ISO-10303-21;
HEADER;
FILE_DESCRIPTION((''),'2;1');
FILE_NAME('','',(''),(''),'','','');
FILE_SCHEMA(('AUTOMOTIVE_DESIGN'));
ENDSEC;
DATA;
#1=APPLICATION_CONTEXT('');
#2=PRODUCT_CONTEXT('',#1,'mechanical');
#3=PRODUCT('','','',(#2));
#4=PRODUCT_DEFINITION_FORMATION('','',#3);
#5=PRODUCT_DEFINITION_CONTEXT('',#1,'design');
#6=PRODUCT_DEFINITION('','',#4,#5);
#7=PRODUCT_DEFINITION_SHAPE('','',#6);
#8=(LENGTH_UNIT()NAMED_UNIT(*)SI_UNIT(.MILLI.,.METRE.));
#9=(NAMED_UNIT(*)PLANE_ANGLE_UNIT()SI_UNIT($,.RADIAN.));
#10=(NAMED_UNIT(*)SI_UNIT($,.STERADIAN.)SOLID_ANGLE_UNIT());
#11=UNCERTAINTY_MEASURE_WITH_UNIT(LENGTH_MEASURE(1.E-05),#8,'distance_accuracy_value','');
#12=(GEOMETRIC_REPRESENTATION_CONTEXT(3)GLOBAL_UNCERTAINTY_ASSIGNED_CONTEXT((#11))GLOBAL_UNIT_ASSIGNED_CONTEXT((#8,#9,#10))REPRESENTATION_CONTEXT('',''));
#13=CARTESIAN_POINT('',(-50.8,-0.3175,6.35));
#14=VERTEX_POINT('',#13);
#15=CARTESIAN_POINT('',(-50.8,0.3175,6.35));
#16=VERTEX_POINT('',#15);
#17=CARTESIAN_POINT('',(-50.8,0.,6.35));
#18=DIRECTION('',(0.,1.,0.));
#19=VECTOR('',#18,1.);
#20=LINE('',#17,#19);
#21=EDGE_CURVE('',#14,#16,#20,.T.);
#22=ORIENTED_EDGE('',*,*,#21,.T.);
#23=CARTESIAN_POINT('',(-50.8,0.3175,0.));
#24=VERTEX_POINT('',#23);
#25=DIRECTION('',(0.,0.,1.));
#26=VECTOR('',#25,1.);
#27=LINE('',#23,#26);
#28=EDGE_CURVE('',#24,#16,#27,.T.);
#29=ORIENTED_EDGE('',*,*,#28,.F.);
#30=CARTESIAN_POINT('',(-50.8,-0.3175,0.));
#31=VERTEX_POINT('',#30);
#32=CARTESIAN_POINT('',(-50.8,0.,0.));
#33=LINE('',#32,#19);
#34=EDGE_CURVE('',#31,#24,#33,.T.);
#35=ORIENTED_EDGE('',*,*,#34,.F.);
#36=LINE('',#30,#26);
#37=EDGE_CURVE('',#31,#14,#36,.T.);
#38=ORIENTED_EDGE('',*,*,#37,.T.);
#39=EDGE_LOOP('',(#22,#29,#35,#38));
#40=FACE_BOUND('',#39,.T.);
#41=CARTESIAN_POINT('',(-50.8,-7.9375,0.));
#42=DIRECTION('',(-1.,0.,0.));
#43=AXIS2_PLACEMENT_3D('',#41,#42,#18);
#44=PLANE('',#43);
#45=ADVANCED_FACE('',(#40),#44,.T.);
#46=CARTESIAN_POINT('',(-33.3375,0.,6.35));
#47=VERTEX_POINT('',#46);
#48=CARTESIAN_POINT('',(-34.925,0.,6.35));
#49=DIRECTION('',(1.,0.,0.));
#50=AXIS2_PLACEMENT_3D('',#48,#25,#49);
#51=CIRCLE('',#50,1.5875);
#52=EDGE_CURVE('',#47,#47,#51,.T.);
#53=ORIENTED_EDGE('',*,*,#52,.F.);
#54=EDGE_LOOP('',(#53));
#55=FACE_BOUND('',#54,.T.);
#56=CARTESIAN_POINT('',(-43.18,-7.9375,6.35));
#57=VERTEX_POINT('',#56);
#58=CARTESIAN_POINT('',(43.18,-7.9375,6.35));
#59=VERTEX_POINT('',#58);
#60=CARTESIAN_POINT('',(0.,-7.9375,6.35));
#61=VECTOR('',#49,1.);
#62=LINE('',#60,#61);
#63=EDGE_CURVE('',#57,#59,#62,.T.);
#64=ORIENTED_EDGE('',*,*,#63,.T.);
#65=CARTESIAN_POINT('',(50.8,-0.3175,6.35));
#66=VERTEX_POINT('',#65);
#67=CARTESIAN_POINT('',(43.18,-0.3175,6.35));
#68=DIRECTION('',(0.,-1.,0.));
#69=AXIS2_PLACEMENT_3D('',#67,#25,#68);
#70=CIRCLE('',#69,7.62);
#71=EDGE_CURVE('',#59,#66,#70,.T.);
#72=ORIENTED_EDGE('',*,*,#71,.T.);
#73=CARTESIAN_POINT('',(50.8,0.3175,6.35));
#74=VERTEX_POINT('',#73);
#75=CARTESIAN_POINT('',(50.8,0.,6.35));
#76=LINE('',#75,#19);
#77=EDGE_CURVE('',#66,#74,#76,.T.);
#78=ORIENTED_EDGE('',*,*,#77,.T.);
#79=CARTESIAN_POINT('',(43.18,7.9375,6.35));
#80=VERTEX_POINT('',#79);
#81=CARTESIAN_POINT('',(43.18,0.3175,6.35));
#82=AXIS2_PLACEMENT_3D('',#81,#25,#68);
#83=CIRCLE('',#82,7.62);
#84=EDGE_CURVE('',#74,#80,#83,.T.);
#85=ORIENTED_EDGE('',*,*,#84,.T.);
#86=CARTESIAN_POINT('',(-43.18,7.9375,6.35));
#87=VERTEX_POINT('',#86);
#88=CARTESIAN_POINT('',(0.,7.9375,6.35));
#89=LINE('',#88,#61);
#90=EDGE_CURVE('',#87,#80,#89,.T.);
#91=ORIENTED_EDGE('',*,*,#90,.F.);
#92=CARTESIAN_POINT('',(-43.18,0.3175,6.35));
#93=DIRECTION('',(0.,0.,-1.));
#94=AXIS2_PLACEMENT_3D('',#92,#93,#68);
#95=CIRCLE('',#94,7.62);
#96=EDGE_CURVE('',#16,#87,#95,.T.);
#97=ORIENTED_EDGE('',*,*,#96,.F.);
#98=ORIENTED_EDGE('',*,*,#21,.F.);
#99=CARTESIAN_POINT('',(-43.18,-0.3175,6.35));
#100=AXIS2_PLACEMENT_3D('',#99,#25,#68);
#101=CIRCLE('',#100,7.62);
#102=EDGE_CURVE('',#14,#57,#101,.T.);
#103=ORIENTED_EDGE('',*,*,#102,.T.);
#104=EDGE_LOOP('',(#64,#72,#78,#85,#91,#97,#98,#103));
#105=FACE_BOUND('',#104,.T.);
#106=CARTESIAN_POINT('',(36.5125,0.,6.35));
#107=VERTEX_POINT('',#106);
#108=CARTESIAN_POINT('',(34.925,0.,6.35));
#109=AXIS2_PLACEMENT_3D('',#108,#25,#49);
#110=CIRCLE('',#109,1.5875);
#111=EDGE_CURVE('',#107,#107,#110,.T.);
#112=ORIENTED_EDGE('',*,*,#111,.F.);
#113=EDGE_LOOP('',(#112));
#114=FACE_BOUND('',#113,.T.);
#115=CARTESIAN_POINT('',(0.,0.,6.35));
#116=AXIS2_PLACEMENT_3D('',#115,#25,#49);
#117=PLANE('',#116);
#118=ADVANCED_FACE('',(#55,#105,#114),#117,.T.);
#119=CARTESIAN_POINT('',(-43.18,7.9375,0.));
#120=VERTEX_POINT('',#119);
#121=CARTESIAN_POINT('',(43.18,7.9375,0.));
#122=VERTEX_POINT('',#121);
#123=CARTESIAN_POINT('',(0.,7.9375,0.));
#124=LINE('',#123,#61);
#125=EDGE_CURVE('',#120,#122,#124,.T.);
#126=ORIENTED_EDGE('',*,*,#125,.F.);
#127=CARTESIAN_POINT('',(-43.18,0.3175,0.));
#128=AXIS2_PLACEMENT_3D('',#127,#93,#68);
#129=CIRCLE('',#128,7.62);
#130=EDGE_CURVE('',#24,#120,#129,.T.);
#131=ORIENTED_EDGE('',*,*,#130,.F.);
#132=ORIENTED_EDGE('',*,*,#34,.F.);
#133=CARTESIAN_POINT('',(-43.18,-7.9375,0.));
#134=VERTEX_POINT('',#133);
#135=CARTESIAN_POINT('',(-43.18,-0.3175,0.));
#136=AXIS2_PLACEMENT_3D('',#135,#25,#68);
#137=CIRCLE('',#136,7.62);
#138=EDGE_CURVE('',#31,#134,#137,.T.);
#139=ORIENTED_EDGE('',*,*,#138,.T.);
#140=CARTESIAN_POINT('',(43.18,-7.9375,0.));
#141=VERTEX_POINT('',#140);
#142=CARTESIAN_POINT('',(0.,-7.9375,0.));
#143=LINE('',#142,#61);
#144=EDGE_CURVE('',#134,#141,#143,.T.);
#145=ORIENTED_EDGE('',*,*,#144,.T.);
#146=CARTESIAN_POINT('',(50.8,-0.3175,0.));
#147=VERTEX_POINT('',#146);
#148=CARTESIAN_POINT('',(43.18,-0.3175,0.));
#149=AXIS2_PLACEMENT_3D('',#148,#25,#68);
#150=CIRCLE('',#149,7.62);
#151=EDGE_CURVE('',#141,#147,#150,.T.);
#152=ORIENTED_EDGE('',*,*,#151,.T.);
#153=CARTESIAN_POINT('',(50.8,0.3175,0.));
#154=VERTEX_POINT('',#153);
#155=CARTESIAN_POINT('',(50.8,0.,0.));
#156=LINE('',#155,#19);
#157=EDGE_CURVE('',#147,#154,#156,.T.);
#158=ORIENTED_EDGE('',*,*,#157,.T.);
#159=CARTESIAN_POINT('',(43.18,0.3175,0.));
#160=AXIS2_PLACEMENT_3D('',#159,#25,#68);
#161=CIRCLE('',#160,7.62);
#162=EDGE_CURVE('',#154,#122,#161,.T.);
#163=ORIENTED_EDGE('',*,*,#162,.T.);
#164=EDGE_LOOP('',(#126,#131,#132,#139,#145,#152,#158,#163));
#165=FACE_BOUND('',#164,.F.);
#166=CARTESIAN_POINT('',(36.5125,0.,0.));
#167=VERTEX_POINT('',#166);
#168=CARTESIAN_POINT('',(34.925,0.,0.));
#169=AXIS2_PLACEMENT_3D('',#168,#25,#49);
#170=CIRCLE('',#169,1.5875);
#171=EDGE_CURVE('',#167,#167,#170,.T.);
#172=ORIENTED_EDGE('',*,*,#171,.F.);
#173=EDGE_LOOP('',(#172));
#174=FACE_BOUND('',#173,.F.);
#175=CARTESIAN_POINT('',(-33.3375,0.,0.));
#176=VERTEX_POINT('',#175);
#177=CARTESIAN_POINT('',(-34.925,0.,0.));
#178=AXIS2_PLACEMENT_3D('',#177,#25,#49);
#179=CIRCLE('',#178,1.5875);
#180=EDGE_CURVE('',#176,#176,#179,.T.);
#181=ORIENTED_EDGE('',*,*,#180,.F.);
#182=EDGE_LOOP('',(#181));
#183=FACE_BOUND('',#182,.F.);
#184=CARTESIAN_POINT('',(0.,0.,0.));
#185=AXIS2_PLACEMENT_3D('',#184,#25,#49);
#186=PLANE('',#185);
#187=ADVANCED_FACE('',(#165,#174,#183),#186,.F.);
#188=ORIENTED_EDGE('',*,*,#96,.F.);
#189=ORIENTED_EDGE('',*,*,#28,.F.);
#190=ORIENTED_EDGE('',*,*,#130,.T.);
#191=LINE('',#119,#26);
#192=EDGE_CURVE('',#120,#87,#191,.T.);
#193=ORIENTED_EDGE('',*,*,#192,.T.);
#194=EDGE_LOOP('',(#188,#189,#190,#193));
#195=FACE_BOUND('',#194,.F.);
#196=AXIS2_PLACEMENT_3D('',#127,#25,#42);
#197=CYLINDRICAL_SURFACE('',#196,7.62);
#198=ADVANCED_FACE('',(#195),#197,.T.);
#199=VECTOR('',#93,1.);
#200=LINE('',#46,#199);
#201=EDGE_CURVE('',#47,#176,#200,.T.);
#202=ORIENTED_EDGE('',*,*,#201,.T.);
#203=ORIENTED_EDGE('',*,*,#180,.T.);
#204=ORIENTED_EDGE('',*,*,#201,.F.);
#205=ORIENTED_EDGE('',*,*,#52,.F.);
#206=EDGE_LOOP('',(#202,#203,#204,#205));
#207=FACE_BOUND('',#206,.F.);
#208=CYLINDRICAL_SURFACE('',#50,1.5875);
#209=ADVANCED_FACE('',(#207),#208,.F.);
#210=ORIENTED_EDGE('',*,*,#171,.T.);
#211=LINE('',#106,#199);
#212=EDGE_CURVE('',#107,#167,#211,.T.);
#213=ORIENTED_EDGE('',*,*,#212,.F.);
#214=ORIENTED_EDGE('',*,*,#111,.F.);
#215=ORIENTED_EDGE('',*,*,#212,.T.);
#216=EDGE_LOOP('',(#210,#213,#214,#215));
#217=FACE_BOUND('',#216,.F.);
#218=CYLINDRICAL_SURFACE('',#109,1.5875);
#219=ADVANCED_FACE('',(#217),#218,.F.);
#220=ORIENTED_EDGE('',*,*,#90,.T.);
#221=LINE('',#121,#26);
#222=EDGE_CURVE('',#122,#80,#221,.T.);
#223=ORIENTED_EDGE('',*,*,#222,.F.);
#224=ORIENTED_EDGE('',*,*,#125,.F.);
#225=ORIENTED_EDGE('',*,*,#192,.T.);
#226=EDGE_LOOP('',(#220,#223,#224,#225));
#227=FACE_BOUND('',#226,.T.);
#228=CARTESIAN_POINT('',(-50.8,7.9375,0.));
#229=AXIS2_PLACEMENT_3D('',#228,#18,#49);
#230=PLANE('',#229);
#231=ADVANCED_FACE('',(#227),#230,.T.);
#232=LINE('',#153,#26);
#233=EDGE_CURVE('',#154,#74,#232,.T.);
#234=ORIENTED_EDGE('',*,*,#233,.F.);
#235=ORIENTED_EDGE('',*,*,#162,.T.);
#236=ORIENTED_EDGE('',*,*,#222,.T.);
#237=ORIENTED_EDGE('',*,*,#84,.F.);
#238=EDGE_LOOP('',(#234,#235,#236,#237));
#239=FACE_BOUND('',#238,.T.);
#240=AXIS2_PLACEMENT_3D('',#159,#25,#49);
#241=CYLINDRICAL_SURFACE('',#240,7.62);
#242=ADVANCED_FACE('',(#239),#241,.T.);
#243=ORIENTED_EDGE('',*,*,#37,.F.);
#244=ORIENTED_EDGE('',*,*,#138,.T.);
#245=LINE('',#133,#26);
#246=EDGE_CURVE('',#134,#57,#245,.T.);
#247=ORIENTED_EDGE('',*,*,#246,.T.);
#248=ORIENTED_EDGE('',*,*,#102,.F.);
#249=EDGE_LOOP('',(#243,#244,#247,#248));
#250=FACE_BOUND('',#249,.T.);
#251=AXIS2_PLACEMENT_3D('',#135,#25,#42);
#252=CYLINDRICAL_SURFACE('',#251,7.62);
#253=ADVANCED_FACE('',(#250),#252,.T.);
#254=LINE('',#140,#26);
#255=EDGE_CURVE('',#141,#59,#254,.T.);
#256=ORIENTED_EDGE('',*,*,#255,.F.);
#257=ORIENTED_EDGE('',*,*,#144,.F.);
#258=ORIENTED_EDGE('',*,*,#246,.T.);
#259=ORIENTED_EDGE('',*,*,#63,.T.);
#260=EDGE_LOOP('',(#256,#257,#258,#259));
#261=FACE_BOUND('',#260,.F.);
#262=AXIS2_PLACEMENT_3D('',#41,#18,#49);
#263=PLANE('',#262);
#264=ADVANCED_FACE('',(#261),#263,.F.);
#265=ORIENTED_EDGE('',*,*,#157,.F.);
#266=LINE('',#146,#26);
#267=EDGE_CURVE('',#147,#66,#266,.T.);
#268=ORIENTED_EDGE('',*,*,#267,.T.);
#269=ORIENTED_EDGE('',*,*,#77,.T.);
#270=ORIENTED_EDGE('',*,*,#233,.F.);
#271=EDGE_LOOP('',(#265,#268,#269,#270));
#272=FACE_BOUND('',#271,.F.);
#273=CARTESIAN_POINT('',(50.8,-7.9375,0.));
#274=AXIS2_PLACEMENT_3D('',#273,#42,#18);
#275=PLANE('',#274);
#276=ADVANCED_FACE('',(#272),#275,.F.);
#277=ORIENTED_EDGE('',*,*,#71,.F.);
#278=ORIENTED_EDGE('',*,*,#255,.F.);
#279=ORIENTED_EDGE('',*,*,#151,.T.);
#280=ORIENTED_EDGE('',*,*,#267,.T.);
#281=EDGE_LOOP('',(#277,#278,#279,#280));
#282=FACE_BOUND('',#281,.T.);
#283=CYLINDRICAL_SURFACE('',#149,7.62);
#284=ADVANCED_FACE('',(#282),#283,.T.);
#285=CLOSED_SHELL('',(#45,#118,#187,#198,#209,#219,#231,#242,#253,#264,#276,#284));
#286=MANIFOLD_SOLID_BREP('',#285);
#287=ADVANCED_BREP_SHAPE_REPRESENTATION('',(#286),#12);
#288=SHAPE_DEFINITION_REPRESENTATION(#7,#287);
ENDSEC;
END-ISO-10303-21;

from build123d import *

# Parameters (mm, degrees)
F0_W     = 101.6
F0_H     = 15.875
F1_DEPTH = 6.35
F2_R     = 7.62
F3_R     = 1.5875
F4_DEPTH = 25.4


with BuildPart() as f1:
    # F0 (on Top) → F1 (new body)
    with BuildSketch(Plane.XY):
        Rectangle(F0_W, F0_H)
    extrude(amount=F1_DEPTH)

    # F2
    f2_edges = [f1.edges().sort_by_distance(p)[0] for p in [
        (-50.8, 7.9375, 3.175),
        (-50.8, -7.9375, 3.175),
        (50.8, 7.9375, 3.175),
        (50.8, -7.9375, 3.175),
    ]]
    fillet(f2_edges, radius=F2_R)

    # F3 (on face) → F4 (cut)
    with BuildSketch(Plane.XY.offset(6.35)):
        with Locations((-34.925, 0)):
            Circle(F3_R)
        with Locations((34.925, 0)):
            Circle(F3_R)
    extrude(amount=-F4_DEPTH, mode=Mode.SUBTRACT)


solid = f1.part
